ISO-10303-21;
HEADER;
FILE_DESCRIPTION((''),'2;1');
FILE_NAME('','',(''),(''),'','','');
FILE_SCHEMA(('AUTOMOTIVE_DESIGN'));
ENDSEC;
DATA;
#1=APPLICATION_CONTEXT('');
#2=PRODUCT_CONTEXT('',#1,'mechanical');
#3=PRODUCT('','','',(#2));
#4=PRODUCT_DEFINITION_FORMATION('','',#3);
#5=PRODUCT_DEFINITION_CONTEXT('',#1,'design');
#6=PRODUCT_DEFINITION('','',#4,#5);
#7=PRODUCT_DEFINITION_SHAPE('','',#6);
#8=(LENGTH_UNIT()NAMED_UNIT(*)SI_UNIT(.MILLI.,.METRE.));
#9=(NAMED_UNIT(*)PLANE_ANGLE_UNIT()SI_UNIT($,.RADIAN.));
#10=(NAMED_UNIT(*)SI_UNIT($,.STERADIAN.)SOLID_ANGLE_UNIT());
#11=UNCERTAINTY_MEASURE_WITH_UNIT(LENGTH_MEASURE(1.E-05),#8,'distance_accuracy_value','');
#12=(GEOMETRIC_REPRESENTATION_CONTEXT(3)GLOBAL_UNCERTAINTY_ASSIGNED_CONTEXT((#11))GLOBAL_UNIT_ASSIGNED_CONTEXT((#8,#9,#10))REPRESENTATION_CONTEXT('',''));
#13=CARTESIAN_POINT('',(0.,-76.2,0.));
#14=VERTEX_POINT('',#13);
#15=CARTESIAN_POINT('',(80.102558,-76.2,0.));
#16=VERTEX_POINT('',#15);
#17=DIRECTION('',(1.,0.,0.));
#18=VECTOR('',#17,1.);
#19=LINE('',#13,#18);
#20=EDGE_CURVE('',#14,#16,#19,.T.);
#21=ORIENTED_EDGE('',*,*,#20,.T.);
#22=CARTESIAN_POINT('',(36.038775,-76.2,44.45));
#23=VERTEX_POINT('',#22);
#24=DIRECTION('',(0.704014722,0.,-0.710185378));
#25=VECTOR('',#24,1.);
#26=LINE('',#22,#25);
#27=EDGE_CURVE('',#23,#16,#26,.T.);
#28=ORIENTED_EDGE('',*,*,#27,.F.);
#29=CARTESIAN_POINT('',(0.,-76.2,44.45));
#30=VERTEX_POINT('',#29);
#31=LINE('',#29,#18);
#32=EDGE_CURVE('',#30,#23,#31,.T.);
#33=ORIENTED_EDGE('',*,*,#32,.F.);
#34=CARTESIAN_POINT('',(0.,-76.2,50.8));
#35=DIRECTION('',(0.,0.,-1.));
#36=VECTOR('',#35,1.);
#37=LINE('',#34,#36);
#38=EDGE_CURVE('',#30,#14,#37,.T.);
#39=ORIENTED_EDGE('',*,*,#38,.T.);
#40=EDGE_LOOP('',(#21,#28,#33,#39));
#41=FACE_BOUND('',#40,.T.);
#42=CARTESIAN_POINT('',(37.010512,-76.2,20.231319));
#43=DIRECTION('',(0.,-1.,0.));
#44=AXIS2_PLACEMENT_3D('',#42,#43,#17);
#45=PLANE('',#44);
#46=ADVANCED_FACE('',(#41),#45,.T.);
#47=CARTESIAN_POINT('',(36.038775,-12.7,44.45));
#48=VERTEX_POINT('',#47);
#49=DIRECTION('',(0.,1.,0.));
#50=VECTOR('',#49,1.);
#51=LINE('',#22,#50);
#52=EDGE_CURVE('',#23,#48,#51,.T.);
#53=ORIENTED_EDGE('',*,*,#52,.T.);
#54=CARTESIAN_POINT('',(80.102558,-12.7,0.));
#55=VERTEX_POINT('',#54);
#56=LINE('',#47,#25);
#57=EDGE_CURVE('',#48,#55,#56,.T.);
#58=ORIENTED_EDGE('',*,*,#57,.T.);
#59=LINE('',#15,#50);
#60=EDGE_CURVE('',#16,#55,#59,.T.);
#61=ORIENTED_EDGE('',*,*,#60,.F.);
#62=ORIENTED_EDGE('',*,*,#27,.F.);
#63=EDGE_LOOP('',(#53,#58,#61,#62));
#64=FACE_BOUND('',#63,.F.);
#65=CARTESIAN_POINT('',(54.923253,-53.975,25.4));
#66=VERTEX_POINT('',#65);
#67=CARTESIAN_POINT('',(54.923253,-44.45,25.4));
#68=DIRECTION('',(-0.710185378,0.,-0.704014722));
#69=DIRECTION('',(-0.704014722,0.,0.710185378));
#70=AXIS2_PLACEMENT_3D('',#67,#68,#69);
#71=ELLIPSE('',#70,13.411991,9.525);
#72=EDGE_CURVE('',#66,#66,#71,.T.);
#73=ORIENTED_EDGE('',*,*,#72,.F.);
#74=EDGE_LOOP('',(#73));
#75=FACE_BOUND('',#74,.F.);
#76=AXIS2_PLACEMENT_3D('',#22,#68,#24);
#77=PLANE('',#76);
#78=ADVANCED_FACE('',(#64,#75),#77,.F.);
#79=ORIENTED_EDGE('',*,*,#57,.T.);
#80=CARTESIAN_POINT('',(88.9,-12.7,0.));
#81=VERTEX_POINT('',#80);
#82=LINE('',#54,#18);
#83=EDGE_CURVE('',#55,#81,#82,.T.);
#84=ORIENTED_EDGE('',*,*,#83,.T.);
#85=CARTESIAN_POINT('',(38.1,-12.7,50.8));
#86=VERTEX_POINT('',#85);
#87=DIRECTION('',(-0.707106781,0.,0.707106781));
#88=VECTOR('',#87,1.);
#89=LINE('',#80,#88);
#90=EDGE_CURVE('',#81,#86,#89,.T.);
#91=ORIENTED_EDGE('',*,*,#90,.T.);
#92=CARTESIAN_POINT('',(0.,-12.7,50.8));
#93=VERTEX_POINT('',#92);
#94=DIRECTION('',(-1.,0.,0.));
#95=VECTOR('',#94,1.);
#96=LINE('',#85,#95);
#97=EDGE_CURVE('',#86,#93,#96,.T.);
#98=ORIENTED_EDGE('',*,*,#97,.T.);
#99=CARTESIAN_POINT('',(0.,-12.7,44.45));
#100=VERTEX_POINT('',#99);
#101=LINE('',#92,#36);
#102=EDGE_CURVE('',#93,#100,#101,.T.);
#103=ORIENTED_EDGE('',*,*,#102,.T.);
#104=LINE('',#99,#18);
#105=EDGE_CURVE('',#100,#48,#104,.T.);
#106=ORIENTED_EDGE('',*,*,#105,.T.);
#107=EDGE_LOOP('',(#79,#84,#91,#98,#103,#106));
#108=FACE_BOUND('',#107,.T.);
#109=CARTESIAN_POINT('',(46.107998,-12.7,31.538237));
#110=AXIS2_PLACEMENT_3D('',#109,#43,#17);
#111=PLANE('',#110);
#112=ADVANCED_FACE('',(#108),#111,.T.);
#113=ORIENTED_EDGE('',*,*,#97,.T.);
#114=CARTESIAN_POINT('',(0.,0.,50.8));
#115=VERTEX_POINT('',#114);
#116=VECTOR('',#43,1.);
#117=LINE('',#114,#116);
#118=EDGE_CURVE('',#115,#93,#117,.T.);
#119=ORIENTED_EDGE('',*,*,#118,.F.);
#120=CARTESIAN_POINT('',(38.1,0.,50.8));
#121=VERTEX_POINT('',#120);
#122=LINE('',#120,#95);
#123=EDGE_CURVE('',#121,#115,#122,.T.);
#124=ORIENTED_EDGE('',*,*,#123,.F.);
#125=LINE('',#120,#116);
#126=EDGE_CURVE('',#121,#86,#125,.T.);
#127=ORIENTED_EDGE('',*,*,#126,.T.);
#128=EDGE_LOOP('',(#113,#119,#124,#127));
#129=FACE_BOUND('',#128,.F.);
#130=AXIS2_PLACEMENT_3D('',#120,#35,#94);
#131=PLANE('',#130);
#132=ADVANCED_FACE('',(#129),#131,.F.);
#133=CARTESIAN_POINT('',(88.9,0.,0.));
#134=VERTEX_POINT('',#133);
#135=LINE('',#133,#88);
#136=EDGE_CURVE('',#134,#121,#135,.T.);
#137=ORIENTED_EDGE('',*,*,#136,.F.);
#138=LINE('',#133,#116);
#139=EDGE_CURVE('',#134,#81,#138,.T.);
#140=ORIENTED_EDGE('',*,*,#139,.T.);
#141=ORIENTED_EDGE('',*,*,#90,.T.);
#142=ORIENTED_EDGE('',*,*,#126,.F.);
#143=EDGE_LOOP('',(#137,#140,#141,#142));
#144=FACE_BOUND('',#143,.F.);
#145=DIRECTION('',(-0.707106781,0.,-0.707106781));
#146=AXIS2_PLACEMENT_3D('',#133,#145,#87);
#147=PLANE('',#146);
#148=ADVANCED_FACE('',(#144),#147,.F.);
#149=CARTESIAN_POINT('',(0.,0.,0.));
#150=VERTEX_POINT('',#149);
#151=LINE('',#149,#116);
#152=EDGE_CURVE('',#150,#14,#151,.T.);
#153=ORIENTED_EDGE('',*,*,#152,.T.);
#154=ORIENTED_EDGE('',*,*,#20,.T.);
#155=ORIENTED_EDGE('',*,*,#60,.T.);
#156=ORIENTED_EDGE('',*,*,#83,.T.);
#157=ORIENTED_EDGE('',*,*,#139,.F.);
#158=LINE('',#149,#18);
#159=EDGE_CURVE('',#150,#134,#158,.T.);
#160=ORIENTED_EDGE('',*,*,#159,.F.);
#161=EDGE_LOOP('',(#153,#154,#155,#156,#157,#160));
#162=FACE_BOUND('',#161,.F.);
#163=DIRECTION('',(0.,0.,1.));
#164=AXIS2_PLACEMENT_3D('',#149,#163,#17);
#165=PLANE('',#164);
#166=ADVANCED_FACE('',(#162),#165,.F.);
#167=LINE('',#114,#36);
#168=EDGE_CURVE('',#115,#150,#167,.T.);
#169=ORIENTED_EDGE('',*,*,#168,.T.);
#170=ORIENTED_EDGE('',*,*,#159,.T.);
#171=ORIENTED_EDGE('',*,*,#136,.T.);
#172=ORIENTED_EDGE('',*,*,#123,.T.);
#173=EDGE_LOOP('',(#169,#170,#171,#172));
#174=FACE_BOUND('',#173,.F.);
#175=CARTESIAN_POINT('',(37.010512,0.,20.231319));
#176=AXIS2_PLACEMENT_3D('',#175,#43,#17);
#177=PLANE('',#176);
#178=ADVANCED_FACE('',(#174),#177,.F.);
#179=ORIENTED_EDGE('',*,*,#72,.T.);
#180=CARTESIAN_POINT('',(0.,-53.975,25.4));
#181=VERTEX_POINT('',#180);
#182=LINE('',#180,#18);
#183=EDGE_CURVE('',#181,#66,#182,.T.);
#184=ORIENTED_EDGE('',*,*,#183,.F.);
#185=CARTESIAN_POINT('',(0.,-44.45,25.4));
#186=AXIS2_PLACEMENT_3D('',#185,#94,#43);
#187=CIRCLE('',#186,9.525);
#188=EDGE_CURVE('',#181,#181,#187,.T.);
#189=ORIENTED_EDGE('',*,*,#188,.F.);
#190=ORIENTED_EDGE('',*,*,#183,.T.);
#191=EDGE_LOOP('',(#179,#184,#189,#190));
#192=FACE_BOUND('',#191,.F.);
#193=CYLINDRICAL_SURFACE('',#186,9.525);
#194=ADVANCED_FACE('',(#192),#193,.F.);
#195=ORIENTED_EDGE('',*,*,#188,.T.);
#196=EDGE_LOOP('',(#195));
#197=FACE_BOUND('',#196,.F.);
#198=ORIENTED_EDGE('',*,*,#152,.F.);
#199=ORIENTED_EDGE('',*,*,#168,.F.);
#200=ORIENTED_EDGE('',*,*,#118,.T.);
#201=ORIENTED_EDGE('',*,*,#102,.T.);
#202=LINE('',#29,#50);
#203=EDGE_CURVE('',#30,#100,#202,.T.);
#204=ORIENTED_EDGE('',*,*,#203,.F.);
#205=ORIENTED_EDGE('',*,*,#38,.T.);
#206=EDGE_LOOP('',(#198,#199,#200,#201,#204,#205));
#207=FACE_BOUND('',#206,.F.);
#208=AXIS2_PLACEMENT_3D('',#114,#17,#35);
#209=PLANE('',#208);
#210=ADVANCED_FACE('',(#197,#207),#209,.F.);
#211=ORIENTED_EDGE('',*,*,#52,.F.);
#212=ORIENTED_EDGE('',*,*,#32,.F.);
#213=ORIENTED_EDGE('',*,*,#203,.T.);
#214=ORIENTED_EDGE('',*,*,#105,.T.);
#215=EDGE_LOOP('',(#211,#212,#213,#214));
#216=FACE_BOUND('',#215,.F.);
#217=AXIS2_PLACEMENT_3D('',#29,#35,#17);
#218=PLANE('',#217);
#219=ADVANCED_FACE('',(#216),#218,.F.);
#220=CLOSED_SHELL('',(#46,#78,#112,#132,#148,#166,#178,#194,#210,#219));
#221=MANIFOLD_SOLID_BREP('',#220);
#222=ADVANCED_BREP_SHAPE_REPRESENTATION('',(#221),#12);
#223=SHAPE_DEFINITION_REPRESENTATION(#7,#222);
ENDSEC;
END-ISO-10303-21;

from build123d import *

# Parameters (mm, degrees)
F1_DEPTH = 76.2
F3_DEPTH = 63.5
F4_R     = 9.525
F5_DEPTH = 101.6


with BuildPart() as f1:
    # F0 (on Front) → F1 (new body)
    with BuildSketch(Plane.XZ):
        Polygon((0, 50.8), (0, 0), (88.9, 0), (38.1, 50.8), align=None)
    extrude(amount=F1_DEPTH)

    # F2 (on face) → F3 (cut)
    with BuildSketch(Plane.XZ.offset(76.2)):
        Polygon((0, 50.8), (0, 44.45), (36.038775, 44.45), (80.102558, 0), (88.9, 0), (38.1, 50.8), align=None)
    extrude(amount=-F3_DEPTH, mode=Mode.SUBTRACT)

    # F4 (on face) → F5 (cut)
    with BuildSketch(Plane(origin=(0, 0, 0), x_dir=(0, -1, 0), z_dir=(-1, 0, 0))):
        with Locations((44.45, 25.4)):
            Circle(F4_R)
    extrude(amount=-F5_DEPTH, mode=Mode.SUBTRACT)


solid = f1.part
